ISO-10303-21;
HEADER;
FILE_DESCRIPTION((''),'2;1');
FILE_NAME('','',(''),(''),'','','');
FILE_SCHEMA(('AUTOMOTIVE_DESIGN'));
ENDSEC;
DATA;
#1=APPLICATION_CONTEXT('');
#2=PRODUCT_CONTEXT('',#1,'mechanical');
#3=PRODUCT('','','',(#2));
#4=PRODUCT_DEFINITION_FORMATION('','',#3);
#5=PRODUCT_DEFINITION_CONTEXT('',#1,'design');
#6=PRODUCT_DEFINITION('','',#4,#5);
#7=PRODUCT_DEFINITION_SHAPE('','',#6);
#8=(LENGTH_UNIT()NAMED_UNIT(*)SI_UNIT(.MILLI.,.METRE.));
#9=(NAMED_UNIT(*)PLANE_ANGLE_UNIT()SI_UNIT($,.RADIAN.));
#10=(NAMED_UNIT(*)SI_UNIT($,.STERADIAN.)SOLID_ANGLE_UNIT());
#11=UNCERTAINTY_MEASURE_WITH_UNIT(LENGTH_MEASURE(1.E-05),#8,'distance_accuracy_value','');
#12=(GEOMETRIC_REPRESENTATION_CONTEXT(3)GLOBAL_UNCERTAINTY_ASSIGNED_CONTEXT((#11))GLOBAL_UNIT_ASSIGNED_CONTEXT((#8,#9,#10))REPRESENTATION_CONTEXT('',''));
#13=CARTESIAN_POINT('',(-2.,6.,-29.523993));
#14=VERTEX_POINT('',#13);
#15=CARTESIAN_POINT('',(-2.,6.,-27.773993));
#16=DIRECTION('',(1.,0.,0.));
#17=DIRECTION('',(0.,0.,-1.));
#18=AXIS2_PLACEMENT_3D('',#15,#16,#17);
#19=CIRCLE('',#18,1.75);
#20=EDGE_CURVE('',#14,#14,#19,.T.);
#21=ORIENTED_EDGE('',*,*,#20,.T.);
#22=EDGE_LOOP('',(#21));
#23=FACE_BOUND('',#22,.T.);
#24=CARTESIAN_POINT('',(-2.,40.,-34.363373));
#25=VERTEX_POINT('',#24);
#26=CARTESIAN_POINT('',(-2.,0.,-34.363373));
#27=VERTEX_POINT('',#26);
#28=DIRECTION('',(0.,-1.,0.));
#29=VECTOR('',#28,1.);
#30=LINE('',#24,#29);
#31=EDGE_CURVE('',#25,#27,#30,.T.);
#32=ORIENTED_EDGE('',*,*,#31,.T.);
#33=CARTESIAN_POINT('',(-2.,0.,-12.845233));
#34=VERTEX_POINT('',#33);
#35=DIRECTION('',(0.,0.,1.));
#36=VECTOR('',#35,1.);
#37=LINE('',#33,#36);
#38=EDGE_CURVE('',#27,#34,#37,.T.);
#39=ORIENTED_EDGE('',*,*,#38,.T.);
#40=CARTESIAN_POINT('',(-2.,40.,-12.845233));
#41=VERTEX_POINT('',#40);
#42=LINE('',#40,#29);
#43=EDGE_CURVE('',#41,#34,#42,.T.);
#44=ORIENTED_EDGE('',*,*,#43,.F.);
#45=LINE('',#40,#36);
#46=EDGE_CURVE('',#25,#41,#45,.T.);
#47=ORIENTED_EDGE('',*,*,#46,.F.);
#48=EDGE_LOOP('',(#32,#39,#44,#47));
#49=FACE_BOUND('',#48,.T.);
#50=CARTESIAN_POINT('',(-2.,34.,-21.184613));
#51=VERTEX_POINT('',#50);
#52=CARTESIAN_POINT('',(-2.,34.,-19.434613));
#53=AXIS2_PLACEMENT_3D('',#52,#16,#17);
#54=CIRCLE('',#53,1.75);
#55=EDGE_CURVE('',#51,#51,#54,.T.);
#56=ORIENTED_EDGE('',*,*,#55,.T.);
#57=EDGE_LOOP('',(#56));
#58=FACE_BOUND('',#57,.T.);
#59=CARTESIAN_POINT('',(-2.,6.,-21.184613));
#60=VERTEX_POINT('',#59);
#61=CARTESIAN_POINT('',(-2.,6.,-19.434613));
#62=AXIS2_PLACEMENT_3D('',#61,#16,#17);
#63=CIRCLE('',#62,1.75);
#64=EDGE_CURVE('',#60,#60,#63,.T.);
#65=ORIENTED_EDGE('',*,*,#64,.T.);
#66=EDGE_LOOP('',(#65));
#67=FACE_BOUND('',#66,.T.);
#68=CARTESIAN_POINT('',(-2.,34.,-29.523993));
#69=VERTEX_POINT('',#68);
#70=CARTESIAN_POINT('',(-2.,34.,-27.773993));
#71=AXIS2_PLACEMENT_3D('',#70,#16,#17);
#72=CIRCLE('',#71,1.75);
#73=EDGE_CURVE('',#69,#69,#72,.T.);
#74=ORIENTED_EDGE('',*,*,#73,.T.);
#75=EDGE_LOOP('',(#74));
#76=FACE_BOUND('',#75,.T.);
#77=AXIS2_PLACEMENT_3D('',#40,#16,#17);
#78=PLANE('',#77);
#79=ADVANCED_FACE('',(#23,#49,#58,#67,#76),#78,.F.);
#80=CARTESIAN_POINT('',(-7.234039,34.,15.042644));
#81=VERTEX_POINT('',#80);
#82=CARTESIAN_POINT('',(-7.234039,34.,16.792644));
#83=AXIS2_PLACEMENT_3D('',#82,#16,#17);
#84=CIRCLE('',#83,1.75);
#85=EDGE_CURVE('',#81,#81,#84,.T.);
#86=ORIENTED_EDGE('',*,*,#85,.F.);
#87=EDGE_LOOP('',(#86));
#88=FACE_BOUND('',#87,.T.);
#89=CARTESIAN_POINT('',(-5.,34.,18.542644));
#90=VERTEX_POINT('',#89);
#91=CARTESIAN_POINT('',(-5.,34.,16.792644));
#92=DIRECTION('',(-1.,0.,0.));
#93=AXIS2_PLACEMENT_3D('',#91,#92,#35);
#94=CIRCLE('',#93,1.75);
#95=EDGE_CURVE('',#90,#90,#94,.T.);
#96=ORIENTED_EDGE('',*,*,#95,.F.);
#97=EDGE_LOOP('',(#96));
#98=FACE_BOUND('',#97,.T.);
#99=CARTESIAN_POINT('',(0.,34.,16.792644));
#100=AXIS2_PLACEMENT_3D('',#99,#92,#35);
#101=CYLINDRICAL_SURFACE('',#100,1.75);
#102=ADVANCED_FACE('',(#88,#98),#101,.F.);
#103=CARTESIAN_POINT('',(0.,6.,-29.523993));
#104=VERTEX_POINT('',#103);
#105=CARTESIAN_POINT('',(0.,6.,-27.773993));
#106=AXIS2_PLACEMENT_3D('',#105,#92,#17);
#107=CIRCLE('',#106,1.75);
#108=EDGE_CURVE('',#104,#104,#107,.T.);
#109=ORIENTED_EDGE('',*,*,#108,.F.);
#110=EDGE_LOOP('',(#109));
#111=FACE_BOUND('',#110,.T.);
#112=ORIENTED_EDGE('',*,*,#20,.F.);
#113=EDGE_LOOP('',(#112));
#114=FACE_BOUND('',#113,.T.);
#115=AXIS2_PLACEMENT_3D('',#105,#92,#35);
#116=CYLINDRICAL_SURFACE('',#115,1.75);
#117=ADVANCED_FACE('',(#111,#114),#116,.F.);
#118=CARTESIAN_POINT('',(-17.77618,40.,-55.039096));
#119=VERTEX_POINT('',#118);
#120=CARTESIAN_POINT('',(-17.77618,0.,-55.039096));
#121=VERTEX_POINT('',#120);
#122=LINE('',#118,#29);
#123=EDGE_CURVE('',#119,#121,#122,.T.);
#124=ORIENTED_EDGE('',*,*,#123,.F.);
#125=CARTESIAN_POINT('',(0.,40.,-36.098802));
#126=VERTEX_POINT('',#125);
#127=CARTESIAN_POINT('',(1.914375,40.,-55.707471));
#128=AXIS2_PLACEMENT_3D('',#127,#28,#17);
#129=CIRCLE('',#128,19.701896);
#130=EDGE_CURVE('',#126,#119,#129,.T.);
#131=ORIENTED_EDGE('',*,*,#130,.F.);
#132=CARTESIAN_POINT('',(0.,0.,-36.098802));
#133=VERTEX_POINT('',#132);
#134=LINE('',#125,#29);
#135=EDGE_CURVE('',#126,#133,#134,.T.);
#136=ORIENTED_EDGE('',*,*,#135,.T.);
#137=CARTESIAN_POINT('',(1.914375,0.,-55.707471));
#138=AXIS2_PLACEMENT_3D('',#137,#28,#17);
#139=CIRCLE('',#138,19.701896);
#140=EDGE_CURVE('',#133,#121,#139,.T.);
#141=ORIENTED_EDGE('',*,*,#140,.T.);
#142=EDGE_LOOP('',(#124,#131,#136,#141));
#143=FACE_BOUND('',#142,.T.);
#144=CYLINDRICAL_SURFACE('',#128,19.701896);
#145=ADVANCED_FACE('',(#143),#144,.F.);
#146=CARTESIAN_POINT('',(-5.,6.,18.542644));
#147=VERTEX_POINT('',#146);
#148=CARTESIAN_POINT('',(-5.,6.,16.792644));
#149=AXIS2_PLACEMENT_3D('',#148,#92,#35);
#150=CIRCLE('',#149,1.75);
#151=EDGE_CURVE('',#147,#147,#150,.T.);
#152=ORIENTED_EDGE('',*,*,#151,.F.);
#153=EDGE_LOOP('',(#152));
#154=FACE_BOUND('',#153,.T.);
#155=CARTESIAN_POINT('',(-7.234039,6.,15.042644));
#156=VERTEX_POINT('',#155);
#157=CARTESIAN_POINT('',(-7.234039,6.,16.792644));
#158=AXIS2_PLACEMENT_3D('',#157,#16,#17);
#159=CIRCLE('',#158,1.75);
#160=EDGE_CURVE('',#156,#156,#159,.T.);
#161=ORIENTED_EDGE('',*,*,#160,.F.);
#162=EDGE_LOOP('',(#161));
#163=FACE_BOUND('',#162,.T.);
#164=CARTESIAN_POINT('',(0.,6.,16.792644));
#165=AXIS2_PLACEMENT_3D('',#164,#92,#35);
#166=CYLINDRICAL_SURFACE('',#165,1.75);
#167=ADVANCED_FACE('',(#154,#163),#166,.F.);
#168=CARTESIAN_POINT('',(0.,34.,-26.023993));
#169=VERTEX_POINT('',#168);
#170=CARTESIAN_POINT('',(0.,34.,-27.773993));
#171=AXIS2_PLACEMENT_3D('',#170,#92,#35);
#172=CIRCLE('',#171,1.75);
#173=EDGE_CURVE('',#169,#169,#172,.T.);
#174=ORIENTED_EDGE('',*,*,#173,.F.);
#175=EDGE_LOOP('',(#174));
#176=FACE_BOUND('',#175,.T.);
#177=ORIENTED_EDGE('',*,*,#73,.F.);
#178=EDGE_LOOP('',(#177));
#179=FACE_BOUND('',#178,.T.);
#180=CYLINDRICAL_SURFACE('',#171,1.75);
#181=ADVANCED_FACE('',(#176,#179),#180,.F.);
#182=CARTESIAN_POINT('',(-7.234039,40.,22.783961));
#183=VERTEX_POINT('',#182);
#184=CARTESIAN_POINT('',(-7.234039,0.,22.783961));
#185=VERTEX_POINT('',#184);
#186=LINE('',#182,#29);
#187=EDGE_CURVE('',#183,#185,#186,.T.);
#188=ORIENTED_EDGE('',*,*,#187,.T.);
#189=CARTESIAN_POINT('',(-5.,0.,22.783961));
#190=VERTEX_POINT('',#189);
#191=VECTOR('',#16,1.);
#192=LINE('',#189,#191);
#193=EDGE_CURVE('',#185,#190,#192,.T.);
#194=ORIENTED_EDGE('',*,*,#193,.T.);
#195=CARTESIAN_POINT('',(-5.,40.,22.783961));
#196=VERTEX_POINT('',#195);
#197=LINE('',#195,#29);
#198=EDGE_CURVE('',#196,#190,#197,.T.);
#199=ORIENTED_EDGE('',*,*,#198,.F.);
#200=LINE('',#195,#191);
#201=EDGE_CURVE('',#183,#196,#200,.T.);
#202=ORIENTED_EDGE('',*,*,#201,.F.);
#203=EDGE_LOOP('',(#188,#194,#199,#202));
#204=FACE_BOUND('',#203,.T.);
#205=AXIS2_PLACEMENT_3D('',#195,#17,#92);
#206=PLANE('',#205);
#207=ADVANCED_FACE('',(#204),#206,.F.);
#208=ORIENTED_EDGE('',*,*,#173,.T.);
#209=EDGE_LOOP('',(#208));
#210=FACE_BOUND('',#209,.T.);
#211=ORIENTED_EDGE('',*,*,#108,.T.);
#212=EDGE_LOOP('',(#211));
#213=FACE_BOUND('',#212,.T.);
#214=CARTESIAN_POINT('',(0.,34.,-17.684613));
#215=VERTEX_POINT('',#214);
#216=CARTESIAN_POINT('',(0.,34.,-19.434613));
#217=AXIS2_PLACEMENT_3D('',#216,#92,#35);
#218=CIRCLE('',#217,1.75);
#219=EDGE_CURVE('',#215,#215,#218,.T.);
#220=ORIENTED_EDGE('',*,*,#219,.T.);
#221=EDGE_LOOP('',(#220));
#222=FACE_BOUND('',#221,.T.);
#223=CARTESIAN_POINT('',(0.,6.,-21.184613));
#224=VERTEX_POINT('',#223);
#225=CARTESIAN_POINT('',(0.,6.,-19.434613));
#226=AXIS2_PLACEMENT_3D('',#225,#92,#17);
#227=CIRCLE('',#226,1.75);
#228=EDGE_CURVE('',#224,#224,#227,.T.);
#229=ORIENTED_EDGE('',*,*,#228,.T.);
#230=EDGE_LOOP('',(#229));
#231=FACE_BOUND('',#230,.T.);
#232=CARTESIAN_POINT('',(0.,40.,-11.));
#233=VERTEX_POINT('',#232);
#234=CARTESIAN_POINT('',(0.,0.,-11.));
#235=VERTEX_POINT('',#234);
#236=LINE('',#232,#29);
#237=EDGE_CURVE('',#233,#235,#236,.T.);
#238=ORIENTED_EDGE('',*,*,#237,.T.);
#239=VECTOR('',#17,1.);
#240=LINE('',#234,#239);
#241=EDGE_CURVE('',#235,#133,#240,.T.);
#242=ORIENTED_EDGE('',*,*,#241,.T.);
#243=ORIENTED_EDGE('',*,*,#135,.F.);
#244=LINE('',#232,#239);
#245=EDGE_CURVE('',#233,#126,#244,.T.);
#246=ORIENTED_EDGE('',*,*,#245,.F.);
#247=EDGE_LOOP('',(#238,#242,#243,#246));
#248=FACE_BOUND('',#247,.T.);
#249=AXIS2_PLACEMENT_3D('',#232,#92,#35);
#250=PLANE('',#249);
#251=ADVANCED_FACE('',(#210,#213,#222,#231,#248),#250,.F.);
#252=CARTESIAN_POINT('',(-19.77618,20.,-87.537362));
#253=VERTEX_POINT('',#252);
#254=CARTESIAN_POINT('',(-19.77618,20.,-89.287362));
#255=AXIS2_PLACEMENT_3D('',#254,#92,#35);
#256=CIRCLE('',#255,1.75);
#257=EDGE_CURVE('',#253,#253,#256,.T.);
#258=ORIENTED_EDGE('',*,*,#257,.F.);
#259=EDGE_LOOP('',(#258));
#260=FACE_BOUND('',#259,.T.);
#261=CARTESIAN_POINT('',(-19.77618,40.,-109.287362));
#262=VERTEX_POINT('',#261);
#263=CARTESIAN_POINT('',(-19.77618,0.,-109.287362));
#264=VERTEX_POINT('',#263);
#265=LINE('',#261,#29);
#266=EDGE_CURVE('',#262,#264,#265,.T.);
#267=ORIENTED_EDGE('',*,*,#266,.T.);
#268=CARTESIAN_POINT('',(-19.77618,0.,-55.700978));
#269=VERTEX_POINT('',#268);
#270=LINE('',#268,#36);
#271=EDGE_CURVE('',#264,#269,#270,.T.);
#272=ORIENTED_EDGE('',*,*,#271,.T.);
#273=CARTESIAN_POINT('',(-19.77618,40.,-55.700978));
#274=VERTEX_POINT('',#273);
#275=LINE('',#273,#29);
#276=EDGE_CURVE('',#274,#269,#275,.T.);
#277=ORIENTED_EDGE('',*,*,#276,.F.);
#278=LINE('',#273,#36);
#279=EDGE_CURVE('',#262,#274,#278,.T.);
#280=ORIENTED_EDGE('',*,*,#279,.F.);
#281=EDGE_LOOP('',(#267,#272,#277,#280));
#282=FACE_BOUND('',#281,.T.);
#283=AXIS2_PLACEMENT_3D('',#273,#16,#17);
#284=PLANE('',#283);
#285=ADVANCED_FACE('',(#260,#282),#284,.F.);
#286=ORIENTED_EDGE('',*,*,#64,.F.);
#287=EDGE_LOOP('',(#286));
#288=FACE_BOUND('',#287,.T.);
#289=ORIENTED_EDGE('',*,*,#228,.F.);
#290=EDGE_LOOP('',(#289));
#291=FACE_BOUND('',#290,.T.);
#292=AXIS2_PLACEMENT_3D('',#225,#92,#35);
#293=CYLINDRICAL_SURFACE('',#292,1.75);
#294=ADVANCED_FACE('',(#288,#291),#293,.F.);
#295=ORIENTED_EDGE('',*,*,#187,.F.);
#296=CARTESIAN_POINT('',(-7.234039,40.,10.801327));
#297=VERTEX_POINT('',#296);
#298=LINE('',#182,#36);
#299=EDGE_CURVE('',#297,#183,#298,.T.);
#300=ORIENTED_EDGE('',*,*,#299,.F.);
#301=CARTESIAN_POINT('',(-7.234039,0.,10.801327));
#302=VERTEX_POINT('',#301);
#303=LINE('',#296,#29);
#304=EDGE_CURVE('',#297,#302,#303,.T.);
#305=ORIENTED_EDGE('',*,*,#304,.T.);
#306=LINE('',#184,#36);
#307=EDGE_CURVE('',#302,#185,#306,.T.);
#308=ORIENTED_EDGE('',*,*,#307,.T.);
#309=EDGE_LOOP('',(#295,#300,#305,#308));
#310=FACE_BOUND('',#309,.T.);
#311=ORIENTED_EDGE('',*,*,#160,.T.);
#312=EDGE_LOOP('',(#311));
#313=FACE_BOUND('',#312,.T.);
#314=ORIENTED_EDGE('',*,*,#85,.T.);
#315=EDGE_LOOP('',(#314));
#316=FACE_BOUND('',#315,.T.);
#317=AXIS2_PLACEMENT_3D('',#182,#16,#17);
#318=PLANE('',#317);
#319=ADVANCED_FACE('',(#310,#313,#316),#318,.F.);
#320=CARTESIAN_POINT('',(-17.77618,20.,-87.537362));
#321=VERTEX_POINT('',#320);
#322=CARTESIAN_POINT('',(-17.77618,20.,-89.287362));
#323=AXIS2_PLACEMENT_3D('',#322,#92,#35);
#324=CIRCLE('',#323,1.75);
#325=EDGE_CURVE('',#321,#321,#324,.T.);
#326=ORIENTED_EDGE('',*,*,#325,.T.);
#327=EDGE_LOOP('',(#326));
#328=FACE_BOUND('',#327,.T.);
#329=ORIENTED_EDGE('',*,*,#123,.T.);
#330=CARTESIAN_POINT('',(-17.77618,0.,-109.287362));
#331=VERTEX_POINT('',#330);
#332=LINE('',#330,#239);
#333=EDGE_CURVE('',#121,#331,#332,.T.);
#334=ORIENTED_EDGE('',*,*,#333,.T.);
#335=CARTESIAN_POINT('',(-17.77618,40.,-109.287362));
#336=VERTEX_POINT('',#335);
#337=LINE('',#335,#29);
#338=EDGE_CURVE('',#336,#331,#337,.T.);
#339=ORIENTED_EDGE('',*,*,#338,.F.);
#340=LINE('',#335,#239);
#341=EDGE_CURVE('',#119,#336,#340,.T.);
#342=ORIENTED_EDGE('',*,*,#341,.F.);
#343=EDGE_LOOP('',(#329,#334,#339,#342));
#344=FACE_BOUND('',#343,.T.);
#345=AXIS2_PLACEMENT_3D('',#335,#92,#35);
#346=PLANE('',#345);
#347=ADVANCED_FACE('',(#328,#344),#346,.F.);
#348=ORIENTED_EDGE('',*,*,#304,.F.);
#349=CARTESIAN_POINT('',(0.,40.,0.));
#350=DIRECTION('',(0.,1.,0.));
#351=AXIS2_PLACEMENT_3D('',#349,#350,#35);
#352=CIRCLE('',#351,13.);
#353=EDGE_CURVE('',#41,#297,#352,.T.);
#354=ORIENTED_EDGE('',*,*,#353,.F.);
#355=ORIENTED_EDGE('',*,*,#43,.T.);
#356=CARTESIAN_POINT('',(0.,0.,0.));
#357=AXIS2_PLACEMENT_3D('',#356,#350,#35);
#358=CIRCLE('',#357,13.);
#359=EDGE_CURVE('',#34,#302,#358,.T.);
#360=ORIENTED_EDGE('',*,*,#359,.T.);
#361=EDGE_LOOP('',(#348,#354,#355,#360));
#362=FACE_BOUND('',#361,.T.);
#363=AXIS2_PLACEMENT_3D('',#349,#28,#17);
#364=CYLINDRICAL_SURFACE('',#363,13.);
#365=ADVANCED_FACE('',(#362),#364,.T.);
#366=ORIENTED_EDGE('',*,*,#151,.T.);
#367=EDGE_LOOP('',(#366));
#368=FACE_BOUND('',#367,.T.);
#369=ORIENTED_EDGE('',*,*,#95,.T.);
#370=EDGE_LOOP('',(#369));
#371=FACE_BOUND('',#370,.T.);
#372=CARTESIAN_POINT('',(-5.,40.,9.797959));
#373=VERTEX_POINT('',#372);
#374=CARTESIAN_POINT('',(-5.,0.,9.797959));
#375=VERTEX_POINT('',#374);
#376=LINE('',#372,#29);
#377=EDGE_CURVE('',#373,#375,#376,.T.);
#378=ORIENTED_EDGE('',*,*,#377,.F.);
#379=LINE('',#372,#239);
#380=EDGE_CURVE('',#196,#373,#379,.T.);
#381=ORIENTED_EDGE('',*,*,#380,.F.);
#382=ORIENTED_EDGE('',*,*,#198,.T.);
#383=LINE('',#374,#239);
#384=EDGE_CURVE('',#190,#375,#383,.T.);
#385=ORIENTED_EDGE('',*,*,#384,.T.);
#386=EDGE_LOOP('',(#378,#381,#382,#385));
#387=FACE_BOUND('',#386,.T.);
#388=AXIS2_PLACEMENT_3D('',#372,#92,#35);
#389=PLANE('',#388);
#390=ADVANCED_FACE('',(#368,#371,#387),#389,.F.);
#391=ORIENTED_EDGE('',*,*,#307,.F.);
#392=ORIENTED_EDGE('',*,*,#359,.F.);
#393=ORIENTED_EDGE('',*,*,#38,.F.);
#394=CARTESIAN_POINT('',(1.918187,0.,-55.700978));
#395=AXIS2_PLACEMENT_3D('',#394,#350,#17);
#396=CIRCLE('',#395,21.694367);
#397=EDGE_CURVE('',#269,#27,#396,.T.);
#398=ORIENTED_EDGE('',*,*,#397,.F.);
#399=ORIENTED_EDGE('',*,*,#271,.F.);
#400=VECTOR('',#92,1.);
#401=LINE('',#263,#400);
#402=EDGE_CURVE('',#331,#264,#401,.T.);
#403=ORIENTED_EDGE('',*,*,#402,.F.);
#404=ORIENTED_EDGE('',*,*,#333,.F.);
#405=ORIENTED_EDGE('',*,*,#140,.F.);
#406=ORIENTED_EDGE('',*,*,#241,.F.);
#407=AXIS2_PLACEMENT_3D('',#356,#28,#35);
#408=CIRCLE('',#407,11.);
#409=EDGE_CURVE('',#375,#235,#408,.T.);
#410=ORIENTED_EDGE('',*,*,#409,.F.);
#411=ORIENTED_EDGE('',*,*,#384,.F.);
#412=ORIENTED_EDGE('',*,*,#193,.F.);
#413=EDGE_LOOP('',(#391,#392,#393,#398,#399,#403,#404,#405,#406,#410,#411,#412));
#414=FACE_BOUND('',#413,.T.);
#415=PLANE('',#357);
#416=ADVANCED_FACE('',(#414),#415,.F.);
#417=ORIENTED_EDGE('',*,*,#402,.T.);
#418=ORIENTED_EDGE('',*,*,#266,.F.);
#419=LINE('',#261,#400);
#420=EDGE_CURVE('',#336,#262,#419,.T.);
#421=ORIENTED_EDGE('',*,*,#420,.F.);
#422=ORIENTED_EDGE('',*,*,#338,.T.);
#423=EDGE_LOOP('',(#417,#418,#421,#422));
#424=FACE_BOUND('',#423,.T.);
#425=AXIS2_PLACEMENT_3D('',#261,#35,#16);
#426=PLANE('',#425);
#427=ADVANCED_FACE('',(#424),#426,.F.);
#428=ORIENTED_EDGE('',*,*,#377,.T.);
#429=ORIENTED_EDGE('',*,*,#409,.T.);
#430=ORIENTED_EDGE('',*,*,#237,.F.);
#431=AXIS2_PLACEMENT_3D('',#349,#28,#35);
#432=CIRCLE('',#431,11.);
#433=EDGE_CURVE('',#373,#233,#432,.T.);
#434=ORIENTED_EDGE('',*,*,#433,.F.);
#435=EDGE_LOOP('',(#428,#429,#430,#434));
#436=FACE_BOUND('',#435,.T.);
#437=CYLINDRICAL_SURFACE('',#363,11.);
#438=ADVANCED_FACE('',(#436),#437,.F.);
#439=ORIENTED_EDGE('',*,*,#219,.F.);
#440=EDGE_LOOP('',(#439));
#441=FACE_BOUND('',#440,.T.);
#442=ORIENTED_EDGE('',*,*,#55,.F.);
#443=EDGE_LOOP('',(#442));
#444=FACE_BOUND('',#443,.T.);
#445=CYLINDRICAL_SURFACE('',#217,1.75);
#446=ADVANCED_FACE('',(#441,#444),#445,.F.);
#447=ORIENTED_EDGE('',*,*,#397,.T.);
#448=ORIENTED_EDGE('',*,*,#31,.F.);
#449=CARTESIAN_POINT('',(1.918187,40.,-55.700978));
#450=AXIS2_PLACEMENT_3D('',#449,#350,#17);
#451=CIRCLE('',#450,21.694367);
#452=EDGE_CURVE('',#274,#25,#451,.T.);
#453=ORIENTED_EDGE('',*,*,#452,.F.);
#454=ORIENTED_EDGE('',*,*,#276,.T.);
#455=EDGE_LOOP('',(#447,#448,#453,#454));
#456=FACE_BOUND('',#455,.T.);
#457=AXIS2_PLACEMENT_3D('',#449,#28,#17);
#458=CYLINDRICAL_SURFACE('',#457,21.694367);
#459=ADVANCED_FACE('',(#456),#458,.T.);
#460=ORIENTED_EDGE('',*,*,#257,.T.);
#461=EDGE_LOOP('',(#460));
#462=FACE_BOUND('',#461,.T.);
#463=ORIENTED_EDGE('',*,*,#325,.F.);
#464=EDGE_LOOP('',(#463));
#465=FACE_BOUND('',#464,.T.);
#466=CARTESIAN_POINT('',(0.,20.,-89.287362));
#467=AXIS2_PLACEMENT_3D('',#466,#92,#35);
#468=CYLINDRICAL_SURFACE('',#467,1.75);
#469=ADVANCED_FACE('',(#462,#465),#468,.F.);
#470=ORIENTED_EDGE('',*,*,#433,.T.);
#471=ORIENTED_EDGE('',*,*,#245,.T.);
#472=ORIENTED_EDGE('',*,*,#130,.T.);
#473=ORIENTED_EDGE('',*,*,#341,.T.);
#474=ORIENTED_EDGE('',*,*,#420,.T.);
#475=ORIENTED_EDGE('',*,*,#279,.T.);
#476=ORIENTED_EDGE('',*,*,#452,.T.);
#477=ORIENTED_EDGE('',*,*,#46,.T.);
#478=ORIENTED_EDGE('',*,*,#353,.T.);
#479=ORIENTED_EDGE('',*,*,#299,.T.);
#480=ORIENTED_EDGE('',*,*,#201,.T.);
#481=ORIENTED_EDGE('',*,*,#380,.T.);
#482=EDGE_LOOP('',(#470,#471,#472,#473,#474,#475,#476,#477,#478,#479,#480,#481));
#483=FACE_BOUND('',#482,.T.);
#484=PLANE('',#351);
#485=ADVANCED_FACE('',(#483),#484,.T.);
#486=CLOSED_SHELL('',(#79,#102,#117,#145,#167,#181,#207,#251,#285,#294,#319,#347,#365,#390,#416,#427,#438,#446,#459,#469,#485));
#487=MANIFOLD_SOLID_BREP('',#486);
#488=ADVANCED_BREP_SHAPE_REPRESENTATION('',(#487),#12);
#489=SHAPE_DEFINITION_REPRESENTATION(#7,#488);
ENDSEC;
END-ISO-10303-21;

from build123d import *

# Parameters (mm, degrees)
BOSS_EXTRUDE1_DEPTH     = 40
CUT_EXTRUDE1_DEPTH      = 118.727312348
CUT_EXTRUDE1_DEPTH_BACK = 118.727312348
SKETCH3_R               = 1.75


with BuildPart() as part:
    # Sketch1 → Boss-Extrude1 (new body)
    with BuildSketch(Plane(origin=(0, 0, 0), x_dir=(1, 0, 0), z_dir=(0, 1, 0))):
        with BuildLine():
            Line((0, 11), (0, 36.098802305))
            ThreePointArc((0, 36.098802305), (-12.451450114, 42.224601119), (-17.776180484, 55.03909555))
            Line((-17.776180484, 55.03909555), (-17.776180484, 109.287361941))
            Line((-17.776180484, 109.287361941), (-19.776180484, 109.287361941))
            Line((-19.776180484, 109.287361941), (-19.776180484, 55.700978031))
            ThreePointArc((-19.776180484, 55.700978031), (-14.749868805, 41.814960106), (-2, 34.363373136))
            Line((-2, 34.363373136), (-2, 12.845232579))
            ThreePointArc((-2, 12.845232579), (-12.692786177, 2.809480212), (-7.234039362, -10.801327442))
            Line((-7.234039362, -10.801327442), (-7.234039362, -22.783960598))
            Line((-7.234039362, -22.783960598), (-5, -22.783960598))
            Line((-5, -22.783960598), (-5, -9.797958971))
            ThreePointArc((-5, -9.797958971), (-10.695268783, 2.571230378), (0, 11))
        make_face()
    extrude(amount=BOSS_EXTRUDE1_DEPTH)

    # Sketch3 → Cut-Extrude1 (cut, two sides: drawn at the far end of the back side and taken through both)
    with BuildSketch(Plane.ZY.offset(2).offset(-CUT_EXTRUDE1_DEPTH_BACK)):
        with Locations((-27.77399295, 34)):
            Circle(SKETCH3_R)
        with Locations((-19.434612764, 34)):
            Circle(SKETCH3_R)
        with Locations((16.79264402, 34)):
            Circle(SKETCH3_R)
        with Locations((-89.287361941, 20)):
            Circle(SKETCH3_R)
        with Locations((16.79264402, 6)):
            Circle(SKETCH3_R)
        with Locations(Location((-19.434612764, 6, 0), (0, 0, 180))):
            Circle(SKETCH3_R)
        with Locations(Location((-27.77399295, 6, 0), (0, 0, 180))):
            Circle(SKETCH3_R)
    extrude(amount=CUT_EXTRUDE1_DEPTH + CUT_EXTRUDE1_DEPTH_BACK, mode=Mode.SUBTRACT)


solid = part.part
